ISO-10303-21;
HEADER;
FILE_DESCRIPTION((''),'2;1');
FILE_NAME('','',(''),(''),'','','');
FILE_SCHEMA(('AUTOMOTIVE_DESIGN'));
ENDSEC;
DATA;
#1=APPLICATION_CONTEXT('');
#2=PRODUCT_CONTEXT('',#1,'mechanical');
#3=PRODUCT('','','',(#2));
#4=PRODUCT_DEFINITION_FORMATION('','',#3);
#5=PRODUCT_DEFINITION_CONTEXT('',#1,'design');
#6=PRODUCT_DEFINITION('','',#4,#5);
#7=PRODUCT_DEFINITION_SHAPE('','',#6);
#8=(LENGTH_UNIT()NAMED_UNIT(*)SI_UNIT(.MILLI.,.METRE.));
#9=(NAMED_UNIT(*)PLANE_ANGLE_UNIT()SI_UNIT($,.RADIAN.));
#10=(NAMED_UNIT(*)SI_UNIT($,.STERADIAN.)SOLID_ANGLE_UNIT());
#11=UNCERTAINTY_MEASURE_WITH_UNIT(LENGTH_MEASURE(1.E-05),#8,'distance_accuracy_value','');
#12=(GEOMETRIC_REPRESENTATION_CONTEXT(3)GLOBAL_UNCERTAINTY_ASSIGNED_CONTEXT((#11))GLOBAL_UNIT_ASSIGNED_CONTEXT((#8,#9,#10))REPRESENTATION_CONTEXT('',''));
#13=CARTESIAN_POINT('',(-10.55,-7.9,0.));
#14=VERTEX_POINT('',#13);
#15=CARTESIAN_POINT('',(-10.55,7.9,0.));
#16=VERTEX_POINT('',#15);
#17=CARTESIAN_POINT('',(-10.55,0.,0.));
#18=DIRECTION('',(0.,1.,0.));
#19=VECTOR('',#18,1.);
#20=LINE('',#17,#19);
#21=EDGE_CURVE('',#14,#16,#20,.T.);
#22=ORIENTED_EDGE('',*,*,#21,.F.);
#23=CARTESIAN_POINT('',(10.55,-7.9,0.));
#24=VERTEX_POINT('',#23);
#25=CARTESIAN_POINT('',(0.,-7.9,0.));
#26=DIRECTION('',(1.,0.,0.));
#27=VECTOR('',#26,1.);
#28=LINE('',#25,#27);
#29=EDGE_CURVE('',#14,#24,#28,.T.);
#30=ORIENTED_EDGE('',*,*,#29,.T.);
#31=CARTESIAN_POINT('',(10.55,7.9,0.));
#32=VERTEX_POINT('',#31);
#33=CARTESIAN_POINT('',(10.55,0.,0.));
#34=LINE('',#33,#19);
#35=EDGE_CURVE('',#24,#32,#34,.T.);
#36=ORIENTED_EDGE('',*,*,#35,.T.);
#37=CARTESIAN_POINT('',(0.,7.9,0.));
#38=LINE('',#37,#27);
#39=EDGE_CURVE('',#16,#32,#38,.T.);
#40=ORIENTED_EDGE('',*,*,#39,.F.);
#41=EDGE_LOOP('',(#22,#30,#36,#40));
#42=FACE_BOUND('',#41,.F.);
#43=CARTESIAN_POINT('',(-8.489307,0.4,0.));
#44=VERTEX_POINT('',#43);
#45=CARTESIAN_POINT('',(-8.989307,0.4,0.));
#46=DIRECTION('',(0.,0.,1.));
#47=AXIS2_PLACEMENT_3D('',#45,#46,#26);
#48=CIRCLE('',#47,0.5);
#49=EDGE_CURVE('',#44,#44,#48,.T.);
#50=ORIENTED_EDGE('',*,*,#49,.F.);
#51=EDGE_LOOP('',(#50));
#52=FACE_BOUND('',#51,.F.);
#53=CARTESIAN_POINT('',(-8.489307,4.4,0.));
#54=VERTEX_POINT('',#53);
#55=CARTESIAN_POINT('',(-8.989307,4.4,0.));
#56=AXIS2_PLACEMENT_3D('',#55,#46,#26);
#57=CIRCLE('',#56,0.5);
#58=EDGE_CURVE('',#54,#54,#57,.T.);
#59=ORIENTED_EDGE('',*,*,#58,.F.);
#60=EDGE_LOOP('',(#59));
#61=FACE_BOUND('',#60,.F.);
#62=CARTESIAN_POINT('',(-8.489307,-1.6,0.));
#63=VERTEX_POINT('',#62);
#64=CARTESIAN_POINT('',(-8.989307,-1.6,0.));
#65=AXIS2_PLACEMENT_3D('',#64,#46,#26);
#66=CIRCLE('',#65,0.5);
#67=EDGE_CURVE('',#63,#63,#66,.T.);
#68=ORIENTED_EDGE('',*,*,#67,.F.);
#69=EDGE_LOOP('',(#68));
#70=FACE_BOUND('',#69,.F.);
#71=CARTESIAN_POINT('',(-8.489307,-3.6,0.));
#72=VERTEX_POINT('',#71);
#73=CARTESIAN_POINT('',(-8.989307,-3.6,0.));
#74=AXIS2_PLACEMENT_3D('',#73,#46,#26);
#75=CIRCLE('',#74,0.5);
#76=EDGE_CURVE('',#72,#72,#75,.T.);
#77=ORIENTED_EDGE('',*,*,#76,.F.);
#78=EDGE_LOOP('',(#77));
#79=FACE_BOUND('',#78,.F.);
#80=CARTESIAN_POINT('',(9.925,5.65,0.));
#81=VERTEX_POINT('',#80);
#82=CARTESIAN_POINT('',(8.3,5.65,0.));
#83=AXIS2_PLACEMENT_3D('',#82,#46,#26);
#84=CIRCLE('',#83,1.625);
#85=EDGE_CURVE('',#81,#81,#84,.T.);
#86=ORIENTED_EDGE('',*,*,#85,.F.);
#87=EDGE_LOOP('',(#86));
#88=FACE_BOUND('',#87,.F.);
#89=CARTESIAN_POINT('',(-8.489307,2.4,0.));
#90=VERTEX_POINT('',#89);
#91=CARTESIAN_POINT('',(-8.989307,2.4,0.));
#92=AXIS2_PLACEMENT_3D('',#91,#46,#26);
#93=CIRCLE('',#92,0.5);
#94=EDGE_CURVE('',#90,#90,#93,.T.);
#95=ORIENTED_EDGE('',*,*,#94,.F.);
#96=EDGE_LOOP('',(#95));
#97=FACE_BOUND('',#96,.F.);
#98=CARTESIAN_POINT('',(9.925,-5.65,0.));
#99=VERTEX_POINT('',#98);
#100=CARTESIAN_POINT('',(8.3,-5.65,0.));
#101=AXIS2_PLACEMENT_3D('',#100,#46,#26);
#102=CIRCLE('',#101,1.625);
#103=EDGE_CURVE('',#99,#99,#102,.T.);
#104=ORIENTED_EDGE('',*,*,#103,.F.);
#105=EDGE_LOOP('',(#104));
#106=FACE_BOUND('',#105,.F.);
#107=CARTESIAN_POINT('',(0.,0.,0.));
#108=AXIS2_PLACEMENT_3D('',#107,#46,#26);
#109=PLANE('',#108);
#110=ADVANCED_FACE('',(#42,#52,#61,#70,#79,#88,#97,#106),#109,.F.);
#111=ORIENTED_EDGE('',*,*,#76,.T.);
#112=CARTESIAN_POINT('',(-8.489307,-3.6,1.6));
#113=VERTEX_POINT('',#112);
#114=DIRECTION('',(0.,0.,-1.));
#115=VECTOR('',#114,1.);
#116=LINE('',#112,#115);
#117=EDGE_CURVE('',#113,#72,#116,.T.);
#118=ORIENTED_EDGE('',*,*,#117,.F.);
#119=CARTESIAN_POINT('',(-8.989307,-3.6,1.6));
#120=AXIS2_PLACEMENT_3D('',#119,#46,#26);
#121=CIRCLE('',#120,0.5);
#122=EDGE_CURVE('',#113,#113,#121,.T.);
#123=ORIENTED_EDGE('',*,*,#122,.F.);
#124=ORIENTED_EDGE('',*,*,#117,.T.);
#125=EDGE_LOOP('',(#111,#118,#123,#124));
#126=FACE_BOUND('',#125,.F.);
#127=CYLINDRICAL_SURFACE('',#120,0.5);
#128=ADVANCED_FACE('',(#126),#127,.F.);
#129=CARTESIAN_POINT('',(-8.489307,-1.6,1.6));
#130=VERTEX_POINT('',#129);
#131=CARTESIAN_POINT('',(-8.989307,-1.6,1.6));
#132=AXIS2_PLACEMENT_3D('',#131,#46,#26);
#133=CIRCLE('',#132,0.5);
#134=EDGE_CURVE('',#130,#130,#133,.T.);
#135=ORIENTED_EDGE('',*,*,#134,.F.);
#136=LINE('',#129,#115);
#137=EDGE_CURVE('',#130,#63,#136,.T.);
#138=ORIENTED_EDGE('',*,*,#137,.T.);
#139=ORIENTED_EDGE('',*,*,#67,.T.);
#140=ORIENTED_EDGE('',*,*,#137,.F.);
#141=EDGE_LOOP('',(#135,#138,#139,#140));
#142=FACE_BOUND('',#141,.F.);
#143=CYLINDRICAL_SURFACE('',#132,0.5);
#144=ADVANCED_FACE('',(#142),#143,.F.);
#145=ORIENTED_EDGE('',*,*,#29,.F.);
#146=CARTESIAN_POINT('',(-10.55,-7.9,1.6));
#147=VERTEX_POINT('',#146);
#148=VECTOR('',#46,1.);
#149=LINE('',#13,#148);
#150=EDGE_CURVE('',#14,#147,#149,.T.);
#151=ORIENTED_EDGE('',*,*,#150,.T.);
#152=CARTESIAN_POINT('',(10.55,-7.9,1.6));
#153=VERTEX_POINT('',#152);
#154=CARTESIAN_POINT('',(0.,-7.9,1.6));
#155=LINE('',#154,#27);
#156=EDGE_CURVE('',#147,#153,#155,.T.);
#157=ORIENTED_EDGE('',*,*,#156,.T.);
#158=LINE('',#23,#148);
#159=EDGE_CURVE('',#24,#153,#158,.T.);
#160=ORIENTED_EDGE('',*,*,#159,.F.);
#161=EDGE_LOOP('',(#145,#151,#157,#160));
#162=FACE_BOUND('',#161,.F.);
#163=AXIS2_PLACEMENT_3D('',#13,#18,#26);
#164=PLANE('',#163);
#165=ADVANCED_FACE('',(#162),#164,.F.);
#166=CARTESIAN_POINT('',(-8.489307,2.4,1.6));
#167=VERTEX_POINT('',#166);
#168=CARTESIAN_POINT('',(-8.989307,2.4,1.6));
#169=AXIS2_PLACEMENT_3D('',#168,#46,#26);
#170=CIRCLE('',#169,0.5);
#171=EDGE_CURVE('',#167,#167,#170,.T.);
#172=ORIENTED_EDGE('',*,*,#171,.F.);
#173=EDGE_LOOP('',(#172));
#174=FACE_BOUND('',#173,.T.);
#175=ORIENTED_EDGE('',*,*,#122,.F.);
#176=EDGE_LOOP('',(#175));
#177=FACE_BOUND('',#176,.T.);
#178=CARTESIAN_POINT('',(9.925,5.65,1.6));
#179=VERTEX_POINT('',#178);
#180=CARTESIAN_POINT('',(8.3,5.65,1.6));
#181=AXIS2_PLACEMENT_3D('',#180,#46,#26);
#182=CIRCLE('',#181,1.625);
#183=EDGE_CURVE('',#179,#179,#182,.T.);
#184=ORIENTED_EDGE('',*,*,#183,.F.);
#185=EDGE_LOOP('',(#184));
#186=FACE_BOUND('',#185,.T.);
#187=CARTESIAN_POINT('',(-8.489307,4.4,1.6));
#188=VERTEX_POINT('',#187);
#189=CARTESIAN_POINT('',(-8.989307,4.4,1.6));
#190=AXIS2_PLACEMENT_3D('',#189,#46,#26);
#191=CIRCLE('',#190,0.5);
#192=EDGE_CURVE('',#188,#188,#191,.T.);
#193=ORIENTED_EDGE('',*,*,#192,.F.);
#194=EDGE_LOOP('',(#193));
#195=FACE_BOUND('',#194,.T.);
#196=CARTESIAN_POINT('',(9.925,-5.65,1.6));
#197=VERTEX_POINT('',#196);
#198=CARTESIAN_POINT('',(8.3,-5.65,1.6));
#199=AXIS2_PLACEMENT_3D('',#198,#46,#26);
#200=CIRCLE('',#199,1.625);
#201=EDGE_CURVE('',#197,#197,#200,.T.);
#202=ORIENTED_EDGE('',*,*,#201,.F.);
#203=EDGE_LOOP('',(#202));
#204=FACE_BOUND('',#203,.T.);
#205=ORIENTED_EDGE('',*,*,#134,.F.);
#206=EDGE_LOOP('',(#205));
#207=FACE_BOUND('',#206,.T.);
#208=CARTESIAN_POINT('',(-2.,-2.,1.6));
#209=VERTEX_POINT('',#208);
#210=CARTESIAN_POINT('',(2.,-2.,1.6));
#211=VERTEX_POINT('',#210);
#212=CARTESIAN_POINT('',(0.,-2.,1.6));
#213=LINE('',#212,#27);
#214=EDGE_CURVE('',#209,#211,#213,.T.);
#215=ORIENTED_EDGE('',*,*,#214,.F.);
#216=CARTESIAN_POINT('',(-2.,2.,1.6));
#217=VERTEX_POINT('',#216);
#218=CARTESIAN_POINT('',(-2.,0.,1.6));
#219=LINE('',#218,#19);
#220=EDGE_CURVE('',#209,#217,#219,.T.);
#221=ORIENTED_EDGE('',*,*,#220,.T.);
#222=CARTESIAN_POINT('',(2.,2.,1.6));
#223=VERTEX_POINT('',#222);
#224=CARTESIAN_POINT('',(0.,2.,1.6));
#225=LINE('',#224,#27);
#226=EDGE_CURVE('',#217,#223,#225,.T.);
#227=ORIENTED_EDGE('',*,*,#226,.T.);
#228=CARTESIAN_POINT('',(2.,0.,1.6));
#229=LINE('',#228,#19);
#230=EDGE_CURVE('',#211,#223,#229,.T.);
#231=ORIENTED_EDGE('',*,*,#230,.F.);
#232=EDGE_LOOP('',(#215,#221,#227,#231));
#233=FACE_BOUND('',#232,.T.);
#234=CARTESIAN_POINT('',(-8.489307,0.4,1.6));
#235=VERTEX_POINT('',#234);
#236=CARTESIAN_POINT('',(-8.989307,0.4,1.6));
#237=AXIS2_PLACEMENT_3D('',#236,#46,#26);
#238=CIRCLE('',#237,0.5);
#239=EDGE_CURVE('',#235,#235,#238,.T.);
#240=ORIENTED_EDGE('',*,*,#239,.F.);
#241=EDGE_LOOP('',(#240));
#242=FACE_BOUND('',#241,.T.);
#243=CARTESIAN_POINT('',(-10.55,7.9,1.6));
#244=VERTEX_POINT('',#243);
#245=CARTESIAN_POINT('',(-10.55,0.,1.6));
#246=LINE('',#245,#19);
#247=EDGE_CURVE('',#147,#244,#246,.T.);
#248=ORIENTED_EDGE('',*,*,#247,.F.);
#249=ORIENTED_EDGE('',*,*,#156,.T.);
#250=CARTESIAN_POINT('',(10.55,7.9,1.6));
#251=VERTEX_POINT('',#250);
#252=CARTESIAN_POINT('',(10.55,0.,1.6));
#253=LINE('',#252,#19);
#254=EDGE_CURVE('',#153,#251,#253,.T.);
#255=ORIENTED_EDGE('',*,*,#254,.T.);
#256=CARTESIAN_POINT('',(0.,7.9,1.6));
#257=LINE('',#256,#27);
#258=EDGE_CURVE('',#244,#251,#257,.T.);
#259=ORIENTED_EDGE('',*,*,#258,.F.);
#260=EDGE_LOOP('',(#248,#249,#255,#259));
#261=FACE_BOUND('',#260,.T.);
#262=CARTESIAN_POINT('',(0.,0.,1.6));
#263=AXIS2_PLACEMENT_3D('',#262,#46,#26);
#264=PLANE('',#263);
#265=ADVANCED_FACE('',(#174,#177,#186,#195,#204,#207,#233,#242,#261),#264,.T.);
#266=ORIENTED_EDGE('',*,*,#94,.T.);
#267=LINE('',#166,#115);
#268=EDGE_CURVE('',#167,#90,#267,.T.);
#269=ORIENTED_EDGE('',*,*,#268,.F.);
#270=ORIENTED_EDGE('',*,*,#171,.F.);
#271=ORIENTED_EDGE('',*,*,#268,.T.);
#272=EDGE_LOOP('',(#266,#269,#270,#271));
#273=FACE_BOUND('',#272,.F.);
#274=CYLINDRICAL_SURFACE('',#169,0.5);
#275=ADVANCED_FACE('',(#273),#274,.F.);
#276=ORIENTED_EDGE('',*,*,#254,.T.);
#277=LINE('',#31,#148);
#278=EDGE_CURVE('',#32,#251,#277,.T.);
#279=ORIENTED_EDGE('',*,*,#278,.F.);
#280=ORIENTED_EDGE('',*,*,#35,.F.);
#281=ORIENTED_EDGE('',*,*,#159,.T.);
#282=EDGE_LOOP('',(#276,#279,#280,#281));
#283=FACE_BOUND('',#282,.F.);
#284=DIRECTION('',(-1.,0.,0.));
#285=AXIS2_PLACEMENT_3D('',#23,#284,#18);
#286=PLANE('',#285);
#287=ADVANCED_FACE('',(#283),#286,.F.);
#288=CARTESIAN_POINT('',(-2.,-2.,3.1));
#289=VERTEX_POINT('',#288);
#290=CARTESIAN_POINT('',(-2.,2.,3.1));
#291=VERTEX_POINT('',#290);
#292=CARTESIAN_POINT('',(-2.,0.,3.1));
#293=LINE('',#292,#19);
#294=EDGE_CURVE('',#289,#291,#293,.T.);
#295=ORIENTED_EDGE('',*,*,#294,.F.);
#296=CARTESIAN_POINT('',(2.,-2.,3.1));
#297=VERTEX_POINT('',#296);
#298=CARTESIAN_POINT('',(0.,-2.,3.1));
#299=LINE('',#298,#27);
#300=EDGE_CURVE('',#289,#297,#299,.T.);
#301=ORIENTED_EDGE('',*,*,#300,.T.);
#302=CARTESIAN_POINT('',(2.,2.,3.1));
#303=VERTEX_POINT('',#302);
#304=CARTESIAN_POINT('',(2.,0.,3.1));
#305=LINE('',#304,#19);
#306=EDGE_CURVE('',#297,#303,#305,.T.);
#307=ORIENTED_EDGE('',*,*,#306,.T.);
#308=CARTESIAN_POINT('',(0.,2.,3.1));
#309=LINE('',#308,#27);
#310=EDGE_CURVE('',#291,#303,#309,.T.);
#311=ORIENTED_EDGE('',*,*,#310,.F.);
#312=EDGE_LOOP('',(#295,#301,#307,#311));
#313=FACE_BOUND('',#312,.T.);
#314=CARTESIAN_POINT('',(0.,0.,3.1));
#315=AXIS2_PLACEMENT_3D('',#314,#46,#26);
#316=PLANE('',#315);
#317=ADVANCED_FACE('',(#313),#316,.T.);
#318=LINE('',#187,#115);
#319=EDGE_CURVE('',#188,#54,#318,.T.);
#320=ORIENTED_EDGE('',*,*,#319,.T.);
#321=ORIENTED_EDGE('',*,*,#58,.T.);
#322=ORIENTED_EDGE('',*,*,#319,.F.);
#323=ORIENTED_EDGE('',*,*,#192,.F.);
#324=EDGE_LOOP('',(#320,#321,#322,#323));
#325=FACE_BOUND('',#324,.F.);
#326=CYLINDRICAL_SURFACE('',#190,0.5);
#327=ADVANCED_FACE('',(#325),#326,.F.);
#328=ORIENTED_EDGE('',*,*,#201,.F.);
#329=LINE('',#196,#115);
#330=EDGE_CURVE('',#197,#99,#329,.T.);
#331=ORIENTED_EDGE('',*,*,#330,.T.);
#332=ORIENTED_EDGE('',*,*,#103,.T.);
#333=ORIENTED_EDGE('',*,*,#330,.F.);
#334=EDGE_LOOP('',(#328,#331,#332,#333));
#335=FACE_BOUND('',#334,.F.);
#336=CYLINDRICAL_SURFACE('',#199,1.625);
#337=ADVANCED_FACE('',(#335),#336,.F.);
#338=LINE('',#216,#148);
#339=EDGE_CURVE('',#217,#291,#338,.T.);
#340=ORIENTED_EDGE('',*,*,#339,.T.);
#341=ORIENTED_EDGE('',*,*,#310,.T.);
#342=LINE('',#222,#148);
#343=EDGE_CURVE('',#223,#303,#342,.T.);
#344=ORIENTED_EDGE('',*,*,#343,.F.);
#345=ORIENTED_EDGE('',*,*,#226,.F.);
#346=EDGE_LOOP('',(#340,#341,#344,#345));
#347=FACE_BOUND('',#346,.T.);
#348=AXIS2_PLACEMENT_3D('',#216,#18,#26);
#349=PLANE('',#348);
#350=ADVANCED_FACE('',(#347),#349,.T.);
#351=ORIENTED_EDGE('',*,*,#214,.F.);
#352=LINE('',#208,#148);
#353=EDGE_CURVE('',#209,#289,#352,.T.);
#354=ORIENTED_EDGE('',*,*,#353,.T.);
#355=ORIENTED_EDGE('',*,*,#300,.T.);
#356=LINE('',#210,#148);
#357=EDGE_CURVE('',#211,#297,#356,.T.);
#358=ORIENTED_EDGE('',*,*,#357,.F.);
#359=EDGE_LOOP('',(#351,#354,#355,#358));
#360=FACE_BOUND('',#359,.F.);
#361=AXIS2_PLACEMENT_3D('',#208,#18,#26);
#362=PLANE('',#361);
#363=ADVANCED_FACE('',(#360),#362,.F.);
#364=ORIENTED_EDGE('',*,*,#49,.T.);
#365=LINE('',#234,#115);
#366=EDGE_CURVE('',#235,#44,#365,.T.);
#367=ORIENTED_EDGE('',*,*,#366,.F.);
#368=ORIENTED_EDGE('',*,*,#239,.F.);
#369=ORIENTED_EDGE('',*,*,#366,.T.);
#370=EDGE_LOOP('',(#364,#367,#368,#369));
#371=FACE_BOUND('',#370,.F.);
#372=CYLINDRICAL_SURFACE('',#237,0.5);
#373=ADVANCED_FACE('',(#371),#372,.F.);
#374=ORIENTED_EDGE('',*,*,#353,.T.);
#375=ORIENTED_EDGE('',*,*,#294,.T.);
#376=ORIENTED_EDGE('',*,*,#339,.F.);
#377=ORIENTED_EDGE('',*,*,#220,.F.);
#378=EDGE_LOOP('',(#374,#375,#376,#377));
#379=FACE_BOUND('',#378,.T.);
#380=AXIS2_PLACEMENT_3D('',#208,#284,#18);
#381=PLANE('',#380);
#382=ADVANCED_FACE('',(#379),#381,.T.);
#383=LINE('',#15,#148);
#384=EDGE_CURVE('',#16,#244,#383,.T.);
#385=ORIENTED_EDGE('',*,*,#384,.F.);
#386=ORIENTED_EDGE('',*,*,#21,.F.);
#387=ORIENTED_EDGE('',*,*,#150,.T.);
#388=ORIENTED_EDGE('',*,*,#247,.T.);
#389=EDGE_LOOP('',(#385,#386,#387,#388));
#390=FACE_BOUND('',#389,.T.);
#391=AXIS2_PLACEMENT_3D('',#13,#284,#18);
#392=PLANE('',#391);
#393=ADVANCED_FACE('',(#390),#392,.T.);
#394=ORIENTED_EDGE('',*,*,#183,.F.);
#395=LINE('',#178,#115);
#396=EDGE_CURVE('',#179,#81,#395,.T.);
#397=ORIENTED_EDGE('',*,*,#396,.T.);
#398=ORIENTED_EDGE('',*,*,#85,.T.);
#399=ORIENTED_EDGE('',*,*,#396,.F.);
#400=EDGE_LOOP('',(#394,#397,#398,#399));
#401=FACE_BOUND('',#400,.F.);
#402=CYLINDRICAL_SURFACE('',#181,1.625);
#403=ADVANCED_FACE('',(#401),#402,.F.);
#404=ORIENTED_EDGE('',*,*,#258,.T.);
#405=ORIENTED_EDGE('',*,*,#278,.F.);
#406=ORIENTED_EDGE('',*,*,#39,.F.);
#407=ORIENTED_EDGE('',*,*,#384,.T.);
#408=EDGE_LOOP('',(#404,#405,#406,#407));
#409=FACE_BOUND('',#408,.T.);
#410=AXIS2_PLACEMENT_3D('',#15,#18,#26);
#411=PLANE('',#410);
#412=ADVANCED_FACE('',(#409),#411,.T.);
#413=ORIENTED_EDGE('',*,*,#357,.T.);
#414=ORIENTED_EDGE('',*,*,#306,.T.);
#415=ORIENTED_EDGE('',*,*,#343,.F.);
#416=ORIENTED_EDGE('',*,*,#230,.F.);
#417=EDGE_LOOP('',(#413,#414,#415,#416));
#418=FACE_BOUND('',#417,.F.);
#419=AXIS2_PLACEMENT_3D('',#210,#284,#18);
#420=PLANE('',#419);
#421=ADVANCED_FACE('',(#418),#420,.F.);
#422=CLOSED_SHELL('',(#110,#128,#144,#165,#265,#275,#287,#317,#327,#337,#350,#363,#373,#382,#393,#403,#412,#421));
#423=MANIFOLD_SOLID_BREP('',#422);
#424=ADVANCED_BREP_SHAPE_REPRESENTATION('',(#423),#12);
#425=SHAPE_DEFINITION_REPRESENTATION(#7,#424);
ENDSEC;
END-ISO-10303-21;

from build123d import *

# Parameters (mm, degrees)
F0_W     = 21.1
F0_H     = 15.8
F1_DEPTH = 1.6
F2_R     = 1.625
F3_DEPTH = 25
F4_W     = 4
F4_H     = 4
F5_DEPTH = 1.5
F6_R     = 0.5
F7_DEPTH = 25


with BuildPart() as f1:
    # F0 (on Top) → F1 (new body)
    with BuildSketch(Plane.XY):
        Rectangle(F0_W, F0_H)
    extrude(amount=F1_DEPTH)

    # F2 (on face) → F3 (cut)
    with BuildSketch(Plane.XY.offset(1.6)):
        with Locations((8.3, 5.65)):
            Circle(F2_R)
        with Locations((8.3, -5.65)):
            Circle(F2_R)
    extrude(amount=-F3_DEPTH, mode=Mode.SUBTRACT)

    # F4 (on face) → F5 (join)
    with BuildSketch(Plane.XY.offset(1.6)):
        Rectangle(F4_W, F4_H)
    extrude(amount=F5_DEPTH)

    # F6 (on face) → F7 (cut)
    with BuildSketch(Plane.XY.offset(1.6)):
        with Locations((-8.989307, 4.4)):
            Circle(F6_R)
        with Locations((-8.989307, 2.4)):
            Circle(F6_R)
        with Locations((-8.989307, 0.4)):
            Circle(F6_R)
        with Locations((-8.989307, -1.6)):
            Circle(F6_R)
        with Locations((-8.989307, -3.6)):
            Circle(F6_R)
    extrude(amount=-F7_DEPTH, mode=Mode.SUBTRACT)


solid = f1.part
